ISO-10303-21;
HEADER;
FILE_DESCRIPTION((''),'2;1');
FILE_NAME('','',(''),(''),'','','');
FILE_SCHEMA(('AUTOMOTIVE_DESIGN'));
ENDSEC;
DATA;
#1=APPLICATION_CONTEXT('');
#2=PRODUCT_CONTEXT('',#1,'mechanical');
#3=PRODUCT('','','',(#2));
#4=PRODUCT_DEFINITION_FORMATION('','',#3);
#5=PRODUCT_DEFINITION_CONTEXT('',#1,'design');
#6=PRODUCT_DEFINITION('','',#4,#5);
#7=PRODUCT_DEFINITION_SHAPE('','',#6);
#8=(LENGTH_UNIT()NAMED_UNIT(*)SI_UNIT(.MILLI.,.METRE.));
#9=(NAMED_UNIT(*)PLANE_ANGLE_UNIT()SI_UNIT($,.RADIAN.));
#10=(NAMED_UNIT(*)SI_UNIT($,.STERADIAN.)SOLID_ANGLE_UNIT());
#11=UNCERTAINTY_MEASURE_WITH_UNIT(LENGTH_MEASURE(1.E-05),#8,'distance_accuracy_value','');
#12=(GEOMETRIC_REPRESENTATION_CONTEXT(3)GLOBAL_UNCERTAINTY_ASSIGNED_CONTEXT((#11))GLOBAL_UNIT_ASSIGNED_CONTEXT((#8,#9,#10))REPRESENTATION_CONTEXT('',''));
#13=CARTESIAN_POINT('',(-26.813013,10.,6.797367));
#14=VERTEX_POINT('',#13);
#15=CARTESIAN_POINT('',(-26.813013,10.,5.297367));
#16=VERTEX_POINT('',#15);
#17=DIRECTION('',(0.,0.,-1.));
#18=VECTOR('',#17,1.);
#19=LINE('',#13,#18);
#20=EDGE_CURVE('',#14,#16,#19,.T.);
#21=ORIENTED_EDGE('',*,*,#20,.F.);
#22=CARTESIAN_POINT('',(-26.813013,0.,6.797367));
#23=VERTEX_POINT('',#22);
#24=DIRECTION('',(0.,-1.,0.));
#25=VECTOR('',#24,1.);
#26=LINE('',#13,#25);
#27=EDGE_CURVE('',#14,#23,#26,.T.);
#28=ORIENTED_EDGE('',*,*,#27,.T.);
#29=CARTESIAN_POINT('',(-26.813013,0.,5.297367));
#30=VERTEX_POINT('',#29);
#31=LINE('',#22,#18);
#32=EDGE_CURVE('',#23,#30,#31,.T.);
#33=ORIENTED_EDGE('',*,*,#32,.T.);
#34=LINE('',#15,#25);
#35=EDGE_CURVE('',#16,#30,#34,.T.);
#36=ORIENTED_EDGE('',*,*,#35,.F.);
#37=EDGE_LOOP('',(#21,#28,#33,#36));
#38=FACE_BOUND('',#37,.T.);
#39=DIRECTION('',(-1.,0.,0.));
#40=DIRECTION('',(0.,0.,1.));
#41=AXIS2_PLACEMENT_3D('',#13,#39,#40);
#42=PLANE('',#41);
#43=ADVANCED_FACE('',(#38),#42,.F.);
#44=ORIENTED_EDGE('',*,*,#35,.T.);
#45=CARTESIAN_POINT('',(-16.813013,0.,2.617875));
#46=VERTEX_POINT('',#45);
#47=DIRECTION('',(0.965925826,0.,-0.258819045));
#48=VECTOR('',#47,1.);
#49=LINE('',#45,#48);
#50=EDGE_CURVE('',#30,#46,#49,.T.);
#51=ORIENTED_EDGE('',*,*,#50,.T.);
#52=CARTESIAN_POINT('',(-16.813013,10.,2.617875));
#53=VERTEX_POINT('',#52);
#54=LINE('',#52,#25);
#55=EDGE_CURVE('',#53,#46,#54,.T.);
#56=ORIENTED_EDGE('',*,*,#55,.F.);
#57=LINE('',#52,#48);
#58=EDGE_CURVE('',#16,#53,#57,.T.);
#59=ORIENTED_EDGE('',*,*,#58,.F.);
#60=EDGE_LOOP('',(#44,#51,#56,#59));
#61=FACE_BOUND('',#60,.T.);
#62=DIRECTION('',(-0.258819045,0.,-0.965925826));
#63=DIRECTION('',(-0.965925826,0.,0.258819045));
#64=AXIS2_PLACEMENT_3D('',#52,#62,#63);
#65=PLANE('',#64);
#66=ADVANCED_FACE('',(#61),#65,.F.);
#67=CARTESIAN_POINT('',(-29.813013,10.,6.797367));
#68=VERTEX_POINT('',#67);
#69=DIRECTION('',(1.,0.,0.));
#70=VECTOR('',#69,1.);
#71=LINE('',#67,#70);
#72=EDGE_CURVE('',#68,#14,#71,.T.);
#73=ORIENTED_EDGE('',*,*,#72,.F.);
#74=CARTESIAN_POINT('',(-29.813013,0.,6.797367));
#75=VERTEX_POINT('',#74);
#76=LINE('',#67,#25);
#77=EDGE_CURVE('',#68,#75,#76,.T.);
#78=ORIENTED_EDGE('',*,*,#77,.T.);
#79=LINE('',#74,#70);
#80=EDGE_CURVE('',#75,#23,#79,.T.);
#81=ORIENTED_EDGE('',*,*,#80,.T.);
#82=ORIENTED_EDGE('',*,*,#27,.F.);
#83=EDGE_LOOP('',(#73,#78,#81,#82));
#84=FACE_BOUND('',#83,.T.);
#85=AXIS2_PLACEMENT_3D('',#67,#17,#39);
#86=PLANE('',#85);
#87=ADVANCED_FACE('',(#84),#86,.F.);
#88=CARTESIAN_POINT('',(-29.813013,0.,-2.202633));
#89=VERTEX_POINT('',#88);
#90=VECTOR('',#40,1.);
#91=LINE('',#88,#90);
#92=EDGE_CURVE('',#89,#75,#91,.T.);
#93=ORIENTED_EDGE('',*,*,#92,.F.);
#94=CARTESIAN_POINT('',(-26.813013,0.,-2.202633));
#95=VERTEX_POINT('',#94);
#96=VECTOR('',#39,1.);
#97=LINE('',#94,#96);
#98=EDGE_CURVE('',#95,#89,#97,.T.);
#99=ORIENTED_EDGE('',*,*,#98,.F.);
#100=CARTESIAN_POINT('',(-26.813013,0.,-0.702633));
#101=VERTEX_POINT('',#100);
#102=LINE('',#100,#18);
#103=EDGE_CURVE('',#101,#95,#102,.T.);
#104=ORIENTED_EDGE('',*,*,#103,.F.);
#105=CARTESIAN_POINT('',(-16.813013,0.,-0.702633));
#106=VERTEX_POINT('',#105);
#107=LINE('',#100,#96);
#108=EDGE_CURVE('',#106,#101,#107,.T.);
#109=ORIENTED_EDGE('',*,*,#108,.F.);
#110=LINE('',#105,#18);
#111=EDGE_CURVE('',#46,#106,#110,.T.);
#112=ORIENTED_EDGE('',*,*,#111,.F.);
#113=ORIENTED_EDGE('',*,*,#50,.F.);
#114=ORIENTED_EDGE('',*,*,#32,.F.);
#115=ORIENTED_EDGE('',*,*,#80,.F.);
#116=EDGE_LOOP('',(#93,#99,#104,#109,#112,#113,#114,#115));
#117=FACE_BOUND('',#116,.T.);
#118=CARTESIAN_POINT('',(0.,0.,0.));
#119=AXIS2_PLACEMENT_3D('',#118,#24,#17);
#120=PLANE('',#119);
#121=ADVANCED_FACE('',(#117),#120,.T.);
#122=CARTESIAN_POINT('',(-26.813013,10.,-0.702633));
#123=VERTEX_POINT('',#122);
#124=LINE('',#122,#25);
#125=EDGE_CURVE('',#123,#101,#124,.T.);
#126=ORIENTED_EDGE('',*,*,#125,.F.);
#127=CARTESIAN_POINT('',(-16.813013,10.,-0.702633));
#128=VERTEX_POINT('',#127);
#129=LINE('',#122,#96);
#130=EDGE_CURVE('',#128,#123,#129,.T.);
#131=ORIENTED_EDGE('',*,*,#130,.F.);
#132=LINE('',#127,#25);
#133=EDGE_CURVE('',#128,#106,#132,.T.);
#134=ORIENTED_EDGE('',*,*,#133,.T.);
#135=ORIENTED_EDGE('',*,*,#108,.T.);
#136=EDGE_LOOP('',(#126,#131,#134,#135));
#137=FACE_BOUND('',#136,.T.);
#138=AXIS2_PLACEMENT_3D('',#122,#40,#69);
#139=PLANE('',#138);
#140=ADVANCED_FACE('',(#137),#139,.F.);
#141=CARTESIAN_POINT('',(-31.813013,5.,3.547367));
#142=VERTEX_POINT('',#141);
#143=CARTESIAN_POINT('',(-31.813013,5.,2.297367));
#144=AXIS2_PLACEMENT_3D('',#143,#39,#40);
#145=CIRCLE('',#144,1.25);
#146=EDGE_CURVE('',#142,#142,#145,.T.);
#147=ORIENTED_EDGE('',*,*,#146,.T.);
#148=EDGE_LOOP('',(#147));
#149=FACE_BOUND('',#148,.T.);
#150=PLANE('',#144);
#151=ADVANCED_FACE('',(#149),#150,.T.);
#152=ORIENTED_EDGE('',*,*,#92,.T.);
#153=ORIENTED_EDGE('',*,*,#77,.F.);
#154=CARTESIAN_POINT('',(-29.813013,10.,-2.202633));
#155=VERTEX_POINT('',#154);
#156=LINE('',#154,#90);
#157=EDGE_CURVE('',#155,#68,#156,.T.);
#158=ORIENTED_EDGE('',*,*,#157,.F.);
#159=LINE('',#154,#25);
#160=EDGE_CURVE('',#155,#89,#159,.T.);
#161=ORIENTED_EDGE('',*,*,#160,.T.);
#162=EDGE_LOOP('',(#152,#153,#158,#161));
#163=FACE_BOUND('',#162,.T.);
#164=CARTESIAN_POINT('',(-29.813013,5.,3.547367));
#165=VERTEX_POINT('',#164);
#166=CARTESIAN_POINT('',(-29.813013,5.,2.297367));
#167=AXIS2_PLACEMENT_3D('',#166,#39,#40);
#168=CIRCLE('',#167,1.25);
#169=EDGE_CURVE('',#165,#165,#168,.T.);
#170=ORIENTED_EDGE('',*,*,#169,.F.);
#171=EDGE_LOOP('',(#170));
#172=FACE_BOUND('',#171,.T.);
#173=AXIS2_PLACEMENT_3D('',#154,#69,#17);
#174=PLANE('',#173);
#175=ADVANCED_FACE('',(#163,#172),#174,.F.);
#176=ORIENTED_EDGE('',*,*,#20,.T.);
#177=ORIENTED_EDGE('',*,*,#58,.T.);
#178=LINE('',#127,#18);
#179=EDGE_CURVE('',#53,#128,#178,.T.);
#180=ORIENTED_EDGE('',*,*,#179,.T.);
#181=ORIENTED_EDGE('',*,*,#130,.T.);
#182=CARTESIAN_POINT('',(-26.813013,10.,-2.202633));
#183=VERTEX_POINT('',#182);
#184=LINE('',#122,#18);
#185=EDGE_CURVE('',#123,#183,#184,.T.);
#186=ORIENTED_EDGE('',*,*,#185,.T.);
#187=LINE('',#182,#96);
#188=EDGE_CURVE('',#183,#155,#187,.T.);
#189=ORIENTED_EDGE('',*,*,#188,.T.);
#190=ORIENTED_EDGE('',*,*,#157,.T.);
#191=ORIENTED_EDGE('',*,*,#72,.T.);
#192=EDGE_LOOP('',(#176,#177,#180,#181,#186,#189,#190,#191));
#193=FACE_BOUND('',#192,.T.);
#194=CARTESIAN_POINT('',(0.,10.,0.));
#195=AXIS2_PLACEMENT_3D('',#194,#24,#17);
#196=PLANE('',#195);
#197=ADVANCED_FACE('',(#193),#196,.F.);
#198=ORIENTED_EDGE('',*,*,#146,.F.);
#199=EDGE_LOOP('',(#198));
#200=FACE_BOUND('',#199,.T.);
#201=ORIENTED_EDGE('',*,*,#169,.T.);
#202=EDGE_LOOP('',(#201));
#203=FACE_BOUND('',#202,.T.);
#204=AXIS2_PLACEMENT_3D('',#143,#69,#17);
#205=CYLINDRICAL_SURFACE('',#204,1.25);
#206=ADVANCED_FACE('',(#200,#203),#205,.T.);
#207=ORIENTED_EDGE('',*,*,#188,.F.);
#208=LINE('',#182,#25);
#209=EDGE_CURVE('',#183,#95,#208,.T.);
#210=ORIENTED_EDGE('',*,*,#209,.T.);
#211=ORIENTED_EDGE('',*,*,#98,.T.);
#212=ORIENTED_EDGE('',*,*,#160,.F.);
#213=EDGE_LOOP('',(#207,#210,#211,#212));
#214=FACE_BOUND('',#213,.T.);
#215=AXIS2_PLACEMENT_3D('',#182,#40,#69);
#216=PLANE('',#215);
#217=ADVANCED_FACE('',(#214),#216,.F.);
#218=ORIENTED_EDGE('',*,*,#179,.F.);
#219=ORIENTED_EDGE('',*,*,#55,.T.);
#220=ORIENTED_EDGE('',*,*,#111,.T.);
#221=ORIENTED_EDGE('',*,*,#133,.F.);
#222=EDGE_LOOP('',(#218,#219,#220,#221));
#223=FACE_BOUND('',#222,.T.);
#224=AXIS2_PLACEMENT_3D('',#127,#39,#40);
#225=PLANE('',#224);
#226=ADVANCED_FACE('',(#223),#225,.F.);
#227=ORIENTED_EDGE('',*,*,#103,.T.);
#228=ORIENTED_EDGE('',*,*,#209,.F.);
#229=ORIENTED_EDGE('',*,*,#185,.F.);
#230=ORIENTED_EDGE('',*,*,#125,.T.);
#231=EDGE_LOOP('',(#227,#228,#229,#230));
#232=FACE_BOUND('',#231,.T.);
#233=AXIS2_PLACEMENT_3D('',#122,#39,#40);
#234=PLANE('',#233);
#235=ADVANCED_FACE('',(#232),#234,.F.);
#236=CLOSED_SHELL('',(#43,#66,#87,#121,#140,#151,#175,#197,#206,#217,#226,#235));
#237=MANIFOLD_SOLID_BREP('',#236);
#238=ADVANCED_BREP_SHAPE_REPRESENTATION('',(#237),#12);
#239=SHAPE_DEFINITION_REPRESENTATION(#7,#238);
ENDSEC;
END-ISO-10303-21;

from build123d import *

# Parameters (mm, degrees)
AUFSATZ_LINEAR_AUSTRAGEN1_DEPTH = 10
SKIZZE2_R                       = 1.25
AUFSATZ_LINEAR_AUSTRAGEN2_DEPTH = 2


with BuildPart() as part:
    # Skizze1 → Aufsatz-Linear austragen1 (new body)
    with BuildSketch(Plane(origin=(0, 0, 0), x_dir=(1, 0, 0), z_dir=(0, 1, 0))):
        Polygon((-16.813013293, -2.617875107), (-26.813013293, -5.297367031), (-26.813013293, -6.797367031), (-29.813013293, -6.797367031), (-29.813013293, 2.202632969), (-26.813013293, 2.202632969), (-26.813013293, 0.702632969), (-16.813013293, 0.702632969), align=None)
    extrude(amount=AUFSATZ_LINEAR_AUSTRAGEN1_DEPTH)

    # Skizze2 → Aufsatz-Linear austragen2 (add)
    with BuildSketch(Plane.ZY.offset(29.813013293)):
        with Locations((2.297367031, 5)):
            Circle(SKIZZE2_R)
    extrude(amount=AUFSATZ_LINEAR_AUSTRAGEN2_DEPTH)


solid = part.part
